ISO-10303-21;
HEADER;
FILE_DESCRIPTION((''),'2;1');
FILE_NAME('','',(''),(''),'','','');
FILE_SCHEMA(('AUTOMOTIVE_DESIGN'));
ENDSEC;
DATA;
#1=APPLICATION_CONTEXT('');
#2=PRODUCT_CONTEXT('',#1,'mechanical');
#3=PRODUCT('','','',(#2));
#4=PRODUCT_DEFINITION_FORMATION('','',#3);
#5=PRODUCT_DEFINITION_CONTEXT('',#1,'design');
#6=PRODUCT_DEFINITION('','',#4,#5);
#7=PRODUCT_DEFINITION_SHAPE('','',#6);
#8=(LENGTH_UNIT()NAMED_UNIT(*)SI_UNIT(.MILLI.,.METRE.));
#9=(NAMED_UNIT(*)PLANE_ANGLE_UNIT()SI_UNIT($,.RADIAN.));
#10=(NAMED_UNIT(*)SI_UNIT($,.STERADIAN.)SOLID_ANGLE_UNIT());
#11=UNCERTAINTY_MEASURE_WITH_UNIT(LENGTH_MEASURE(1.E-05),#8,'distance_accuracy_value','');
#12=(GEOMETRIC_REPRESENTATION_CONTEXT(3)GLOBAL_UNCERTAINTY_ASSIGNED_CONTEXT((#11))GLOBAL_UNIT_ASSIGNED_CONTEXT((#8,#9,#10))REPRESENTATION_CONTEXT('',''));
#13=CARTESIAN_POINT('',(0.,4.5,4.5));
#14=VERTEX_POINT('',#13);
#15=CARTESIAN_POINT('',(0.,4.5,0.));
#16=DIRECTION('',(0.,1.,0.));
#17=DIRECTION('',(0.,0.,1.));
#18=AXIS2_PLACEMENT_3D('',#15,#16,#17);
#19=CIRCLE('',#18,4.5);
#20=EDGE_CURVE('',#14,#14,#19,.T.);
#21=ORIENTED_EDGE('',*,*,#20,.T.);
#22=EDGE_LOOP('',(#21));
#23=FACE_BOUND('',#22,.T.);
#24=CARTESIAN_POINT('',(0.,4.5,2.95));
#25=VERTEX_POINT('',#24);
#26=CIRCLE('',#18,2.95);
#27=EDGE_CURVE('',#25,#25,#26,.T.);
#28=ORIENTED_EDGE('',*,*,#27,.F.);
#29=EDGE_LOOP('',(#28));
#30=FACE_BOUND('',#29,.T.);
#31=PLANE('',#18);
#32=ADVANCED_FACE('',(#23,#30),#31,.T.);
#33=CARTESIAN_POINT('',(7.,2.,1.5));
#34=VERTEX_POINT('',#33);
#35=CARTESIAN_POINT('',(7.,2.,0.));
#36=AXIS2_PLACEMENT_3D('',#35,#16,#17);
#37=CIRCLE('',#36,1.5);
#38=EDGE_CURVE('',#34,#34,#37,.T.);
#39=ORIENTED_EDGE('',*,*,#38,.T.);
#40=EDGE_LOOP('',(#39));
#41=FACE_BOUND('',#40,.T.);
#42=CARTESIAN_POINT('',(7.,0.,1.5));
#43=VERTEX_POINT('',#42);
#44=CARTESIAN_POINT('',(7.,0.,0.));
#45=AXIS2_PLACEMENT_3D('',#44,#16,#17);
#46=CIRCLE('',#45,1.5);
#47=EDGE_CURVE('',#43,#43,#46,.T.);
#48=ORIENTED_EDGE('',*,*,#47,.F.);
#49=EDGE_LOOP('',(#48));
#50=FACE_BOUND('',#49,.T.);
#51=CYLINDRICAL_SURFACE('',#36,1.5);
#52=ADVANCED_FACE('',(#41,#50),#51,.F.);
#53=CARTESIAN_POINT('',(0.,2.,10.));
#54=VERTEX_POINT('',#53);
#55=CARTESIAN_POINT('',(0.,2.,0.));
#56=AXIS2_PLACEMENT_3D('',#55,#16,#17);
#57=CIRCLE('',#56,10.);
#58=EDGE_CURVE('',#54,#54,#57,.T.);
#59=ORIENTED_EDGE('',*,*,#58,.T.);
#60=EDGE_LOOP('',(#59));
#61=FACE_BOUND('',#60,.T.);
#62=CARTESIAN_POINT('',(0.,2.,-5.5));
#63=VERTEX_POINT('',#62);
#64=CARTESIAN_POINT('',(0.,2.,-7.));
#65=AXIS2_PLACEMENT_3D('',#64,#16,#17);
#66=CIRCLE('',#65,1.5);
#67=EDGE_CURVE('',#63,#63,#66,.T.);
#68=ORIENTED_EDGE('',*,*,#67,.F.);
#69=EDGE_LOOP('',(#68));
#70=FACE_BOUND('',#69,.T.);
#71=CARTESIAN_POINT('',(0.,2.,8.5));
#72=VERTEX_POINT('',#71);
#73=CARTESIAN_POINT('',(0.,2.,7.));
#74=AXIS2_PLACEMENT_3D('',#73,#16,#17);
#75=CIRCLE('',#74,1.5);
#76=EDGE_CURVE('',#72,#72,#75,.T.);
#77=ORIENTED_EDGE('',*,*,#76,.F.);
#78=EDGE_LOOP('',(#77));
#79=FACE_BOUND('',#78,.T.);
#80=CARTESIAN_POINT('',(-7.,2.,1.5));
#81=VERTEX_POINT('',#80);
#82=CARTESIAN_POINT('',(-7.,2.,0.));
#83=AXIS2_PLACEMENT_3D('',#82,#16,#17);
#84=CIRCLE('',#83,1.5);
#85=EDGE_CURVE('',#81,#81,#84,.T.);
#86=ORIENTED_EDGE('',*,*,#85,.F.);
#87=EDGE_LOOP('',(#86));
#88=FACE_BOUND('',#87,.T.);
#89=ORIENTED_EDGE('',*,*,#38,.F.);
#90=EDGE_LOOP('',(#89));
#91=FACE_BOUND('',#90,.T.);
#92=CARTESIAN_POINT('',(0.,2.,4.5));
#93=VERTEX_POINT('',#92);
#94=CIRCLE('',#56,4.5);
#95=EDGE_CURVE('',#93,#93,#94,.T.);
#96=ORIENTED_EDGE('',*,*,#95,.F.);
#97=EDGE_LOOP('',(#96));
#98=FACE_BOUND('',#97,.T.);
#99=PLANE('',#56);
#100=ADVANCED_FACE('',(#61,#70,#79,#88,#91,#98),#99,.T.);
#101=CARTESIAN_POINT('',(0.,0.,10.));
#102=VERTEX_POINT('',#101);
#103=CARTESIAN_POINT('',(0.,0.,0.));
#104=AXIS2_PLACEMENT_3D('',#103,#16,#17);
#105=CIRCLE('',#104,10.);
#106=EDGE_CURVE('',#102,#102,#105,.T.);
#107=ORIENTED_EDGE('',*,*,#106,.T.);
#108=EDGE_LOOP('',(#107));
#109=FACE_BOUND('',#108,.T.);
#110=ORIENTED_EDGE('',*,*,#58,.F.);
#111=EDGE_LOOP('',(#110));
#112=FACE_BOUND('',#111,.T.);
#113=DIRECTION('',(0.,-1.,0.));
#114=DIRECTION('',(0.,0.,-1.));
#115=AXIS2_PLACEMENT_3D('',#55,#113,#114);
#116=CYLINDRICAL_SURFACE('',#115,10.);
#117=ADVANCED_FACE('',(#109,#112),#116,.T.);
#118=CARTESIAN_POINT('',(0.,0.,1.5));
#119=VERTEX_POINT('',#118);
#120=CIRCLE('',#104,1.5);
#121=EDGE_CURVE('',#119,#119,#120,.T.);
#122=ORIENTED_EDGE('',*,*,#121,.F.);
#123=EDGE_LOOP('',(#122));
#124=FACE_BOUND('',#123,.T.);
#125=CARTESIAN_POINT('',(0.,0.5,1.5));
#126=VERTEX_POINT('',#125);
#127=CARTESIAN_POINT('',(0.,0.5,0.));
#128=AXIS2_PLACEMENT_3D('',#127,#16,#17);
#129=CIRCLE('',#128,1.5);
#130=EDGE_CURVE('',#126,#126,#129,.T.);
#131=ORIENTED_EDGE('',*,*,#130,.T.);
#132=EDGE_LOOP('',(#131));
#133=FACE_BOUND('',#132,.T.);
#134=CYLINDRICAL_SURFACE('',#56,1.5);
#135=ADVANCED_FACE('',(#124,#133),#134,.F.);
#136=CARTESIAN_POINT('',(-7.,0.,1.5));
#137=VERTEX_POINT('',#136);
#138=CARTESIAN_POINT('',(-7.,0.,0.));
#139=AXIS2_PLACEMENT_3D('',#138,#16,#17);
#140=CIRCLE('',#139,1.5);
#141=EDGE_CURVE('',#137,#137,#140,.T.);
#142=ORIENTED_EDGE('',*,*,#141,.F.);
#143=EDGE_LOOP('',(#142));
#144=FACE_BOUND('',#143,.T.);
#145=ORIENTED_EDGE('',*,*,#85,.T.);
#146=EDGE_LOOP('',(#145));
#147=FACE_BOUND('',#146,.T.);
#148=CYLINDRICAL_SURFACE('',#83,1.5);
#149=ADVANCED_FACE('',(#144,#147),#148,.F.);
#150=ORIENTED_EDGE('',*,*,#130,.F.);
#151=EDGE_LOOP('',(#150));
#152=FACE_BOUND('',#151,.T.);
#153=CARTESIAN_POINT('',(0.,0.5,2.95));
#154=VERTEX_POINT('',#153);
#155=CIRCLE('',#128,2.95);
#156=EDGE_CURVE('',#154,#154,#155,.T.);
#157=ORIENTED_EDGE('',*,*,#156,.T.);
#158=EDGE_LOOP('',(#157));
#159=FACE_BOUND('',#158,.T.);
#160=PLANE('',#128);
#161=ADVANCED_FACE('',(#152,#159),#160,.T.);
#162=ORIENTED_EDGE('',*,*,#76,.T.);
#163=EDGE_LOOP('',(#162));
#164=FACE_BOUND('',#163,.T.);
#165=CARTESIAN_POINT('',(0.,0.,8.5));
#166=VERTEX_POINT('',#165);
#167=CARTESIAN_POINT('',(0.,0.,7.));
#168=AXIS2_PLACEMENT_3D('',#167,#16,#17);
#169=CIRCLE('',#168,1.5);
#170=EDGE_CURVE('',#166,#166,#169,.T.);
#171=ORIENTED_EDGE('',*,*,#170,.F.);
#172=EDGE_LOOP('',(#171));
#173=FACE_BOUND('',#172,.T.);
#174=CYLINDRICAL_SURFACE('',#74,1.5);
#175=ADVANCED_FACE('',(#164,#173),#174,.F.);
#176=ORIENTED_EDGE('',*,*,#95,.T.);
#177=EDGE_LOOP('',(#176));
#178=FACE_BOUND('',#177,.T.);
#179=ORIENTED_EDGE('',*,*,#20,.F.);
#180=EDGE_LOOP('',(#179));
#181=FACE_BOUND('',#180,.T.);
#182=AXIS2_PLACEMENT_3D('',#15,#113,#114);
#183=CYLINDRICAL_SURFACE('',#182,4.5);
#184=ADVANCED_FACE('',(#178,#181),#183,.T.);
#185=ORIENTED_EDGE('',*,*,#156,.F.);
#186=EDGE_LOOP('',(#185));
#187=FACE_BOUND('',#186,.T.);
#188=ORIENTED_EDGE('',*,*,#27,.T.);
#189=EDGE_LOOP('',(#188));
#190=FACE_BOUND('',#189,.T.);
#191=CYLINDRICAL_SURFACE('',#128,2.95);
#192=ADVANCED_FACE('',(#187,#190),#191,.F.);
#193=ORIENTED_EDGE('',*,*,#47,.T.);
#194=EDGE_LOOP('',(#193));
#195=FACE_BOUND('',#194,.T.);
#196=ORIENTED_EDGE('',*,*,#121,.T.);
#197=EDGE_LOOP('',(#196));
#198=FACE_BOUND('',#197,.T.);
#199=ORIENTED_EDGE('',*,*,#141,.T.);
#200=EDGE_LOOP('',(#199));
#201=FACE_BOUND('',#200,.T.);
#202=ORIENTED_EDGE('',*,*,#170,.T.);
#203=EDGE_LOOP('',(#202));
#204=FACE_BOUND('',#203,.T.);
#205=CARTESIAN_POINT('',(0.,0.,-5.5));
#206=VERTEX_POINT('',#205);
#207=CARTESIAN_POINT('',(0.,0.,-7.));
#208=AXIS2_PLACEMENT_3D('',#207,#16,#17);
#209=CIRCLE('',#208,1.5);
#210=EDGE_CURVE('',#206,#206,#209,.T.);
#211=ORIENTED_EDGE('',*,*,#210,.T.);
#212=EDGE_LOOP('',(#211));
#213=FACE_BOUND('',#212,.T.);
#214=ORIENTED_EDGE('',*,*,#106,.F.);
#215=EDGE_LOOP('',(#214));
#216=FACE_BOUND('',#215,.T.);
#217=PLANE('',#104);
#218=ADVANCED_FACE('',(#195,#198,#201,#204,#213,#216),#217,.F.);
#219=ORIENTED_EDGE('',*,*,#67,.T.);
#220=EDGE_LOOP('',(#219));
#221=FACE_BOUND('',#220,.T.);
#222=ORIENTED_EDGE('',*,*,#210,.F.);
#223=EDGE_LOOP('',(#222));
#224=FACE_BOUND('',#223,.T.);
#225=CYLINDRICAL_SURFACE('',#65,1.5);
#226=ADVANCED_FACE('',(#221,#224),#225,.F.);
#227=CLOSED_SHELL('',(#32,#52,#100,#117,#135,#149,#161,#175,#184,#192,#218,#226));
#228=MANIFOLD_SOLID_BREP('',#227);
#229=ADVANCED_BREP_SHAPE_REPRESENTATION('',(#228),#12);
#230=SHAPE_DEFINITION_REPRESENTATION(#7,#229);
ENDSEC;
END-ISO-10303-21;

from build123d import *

# Parameters (mm, degrees)
SKETCH_1_R            = 10
EXTRUDE_1_DEPTH       = 2
SKETCH_2_R            = 4.5
EXTRUDE_2_DEPTH       = 2.5
SKETCH_3_R            = 2.95
CUT_EXTRUDE_1_DEPTH   = 4
HOLE_WIZARD_3_0_3_1_D = 3


with BuildPart() as part:
    # 草图1 → 凸台-拉伸1 (new body)
    with BuildSketch(Plane(origin=(0, 0, 0), x_dir=(1, 0, 0), z_dir=(0, 1, 0))):
        with Locations(Location((0, 0, 0), (0, 0, 270))):
            Circle(SKETCH_1_R)
    extrude(amount=EXTRUDE_1_DEPTH)

    # 草图2 → 凸台-拉伸2 (add)
    with BuildSketch(Plane(origin=(0, 2, 0), x_dir=(1, 0, 0), z_dir=(0, 1, 0))):
        with Locations(Location((0, 0, 0), (0, 0, 270))):
            Circle(SKETCH_2_R)
    extrude(amount=EXTRUDE_2_DEPTH)

    # 草图3 → 切除-拉伸1 (cut)
    with BuildSketch(Plane(origin=(0, 4.5, 0), x_dir=(1, 0, 0), z_dir=(0, 1, 0))):
        with Locations(Location((0, 0, 0), (0, 0, 270))):
            Circle(SKETCH_3_R)
    extrude(amount=-CUT_EXTRUDE_1_DEPTH, mode=Mode.SUBTRACT)

    # Ø3.0 (3) 直径孔1 (through all)
    with Locations(Plane(origin=(0, 2, 0), x_dir=(1, 0, 0), z_dir=(0, 1, 0))):
        with Locations((0, 7), (7, 0), (0, -7), (-7, 0), (0, 0)):
            Hole(HOLE_WIZARD_3_0_3_1_D / 2)


solid = part.part
